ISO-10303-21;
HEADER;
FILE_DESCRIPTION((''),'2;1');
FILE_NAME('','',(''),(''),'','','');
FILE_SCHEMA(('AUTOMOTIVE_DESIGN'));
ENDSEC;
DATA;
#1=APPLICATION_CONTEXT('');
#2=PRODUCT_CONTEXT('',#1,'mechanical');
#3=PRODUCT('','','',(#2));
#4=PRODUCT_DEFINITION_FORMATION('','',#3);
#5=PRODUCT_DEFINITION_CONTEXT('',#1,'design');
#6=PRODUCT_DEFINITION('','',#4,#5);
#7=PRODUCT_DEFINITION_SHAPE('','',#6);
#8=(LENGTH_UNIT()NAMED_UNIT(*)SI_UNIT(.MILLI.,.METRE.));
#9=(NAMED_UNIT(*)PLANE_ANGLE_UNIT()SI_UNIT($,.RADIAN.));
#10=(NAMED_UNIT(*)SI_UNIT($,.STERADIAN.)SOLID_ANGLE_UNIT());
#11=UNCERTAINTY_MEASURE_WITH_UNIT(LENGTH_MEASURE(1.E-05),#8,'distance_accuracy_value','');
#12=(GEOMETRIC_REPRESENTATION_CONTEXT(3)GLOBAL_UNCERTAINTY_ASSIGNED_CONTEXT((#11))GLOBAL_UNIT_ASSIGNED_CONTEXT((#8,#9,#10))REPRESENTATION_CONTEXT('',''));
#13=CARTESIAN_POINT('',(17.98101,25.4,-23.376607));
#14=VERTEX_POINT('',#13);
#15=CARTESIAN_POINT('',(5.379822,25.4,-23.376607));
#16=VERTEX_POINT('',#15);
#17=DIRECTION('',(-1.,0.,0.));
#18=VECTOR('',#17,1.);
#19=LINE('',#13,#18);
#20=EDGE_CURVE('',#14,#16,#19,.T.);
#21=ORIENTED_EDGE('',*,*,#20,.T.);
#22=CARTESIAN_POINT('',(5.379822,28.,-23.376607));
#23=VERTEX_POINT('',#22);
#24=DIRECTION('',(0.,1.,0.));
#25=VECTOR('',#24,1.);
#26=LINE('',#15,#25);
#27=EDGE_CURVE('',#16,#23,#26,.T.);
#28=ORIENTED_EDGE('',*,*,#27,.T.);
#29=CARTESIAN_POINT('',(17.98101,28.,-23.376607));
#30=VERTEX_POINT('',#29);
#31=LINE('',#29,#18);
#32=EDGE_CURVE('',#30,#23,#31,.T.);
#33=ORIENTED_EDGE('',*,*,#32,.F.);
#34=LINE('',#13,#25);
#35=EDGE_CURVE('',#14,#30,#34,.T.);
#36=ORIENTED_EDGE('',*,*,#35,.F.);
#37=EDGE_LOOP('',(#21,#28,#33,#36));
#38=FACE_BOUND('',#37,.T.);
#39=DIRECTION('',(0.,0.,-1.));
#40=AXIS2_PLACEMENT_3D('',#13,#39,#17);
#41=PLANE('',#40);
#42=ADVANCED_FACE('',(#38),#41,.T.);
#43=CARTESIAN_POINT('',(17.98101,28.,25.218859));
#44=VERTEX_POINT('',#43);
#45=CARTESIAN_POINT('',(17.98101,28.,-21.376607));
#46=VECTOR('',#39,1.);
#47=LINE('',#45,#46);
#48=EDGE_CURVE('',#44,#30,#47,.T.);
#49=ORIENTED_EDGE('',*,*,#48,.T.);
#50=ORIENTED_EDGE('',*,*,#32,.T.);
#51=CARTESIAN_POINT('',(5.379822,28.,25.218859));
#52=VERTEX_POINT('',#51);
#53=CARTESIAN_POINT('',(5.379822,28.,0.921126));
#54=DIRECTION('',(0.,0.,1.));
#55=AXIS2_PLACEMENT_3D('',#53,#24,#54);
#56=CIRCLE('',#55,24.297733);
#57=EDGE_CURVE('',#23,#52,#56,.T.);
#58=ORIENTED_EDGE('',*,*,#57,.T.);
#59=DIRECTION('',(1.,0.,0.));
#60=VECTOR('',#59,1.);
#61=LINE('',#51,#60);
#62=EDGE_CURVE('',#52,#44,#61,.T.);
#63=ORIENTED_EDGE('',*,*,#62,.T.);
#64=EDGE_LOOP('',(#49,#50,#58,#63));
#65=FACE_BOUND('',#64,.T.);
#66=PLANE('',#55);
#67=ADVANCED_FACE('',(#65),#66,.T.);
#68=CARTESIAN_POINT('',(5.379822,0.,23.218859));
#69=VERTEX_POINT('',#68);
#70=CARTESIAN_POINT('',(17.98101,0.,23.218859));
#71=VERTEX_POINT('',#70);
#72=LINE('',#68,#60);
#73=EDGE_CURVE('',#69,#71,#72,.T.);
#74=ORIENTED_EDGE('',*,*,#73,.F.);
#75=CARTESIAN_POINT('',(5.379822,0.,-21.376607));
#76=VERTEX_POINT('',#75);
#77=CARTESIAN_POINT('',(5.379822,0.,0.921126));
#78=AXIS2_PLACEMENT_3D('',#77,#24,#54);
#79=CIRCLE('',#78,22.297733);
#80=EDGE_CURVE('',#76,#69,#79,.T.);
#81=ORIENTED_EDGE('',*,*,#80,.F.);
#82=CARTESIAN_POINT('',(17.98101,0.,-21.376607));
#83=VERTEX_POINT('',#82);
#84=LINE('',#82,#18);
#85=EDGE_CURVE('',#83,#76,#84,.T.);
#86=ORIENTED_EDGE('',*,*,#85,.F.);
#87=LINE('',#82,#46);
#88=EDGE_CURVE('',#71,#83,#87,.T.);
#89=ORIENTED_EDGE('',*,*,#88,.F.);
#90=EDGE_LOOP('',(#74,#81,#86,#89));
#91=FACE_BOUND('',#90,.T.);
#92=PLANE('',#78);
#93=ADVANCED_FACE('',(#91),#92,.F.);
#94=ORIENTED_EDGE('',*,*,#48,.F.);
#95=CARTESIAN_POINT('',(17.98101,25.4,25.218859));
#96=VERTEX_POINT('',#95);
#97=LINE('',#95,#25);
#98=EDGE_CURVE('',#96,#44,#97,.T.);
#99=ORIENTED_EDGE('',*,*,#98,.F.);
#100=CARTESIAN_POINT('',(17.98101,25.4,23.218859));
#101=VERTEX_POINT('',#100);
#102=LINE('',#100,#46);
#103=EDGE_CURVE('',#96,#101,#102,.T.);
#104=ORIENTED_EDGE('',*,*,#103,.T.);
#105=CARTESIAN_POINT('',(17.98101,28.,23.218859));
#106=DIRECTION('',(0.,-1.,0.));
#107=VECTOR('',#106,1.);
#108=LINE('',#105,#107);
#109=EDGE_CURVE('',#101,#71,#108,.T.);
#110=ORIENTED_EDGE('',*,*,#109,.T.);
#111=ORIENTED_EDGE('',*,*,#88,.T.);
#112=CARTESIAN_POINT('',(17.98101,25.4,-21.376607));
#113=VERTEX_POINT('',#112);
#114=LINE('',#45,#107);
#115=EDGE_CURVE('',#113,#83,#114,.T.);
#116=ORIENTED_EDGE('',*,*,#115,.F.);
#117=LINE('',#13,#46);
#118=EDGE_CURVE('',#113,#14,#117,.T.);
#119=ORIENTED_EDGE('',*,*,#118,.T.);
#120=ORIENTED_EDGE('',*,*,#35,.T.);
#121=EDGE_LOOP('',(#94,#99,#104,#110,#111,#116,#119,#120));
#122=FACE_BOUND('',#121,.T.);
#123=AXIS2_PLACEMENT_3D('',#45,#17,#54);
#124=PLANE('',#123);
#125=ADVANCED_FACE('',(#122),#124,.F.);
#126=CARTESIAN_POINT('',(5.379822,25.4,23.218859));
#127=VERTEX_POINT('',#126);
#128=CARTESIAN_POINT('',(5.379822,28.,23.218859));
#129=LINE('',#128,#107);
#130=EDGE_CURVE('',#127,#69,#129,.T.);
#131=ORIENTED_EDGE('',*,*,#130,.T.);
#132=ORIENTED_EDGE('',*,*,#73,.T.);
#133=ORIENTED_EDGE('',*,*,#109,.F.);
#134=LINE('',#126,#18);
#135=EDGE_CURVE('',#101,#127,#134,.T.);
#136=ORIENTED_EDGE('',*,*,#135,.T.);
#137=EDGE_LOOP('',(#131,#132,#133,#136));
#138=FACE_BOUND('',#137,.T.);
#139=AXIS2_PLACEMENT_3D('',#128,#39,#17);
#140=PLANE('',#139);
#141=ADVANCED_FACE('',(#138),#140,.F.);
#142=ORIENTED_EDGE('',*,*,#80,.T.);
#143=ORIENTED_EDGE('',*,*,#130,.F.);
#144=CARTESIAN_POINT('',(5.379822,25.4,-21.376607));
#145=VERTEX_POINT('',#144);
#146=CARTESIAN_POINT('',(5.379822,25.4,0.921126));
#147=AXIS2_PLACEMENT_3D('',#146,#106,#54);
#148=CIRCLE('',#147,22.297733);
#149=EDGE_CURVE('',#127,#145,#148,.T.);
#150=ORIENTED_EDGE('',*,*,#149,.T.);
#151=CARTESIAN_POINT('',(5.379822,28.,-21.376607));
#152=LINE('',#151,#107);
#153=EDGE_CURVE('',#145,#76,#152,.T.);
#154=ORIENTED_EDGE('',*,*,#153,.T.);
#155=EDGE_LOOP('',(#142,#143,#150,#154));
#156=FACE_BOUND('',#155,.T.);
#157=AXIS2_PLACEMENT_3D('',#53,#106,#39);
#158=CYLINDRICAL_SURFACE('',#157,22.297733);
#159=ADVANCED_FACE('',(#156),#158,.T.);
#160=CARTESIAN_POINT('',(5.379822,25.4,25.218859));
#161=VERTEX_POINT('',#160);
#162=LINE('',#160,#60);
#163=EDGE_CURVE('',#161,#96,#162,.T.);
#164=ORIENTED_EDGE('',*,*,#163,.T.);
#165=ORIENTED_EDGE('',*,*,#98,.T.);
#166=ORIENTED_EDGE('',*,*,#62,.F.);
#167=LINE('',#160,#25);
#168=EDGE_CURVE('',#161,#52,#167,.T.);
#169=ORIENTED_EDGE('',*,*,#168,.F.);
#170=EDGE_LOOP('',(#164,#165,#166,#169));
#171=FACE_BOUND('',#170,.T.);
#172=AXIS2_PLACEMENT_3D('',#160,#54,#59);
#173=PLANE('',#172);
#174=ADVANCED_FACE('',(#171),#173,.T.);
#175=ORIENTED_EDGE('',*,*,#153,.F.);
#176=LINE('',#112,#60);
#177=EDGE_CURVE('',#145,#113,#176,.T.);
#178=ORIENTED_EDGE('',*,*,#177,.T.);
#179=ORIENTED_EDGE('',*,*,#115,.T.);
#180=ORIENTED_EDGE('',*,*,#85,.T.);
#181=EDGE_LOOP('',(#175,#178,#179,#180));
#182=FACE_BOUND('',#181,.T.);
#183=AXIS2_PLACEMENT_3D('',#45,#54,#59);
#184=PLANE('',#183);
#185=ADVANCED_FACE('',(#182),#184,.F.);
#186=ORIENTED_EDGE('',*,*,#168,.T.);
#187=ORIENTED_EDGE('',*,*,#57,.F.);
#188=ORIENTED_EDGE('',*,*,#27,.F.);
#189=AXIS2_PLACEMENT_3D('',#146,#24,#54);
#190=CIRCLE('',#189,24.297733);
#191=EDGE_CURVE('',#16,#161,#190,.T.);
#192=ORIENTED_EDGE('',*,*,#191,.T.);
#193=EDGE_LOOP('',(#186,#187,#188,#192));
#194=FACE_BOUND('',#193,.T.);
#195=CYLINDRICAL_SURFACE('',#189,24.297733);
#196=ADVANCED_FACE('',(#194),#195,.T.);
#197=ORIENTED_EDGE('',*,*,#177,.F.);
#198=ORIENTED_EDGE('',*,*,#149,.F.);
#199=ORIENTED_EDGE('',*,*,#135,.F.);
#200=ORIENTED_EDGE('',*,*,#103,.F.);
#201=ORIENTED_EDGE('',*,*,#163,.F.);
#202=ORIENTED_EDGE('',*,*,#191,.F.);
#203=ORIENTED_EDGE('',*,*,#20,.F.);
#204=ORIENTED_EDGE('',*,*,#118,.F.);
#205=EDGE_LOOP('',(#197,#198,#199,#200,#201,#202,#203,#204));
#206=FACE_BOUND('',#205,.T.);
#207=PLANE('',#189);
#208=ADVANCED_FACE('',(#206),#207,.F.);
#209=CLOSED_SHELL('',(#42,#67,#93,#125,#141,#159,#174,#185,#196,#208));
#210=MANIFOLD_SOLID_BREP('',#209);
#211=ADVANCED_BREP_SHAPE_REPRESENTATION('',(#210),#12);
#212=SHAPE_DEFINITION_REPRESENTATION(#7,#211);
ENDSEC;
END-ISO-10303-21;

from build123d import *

# Parameters (mm, degrees)
BOSS_EXTRUDE1_DEPTH = 28
BOSS_EXTRUDE2_START = -2.6
BOSS_EXTRUDE2_DEPTH = 2.6


with BuildPart() as part:
    # Sketch1 → Boss-Extrude1 (new body)
    with BuildSketch(Plane(origin=(0, 0, 0), x_dir=(1, 0, 0), z_dir=(0, 1, 0))):
        with BuildLine():
            Line((5.379822255, -23.218858624), (17.981010255, -23.218858624))
            Line((17.981010255, -23.218858624), (17.981010255, 21.376607386))
            Line((17.981010255, 21.376607386), (5.379822255, 21.376607386))
            ThreePointArc((5.379822255, 21.376607386), (-16.91791075, -0.921125619), (5.379822255, -23.218858624))
        make_face()
    extrude(amount=BOSS_EXTRUDE1_DEPTH)

    # Sketch2 → Boss-Extrude2 (add)
    with BuildSketch(Plane(origin=(0, 28, 0), x_dir=(1, 0, 0), z_dir=(0, 1, 0)).offset(BOSS_EXTRUDE2_START)):
        with BuildLine():
            Line((5.379822255, -25.218858624), (17.981010255, -25.218858624))
            Line((17.981010255, -25.218858624), (17.981010255, -23.218858624))
            Line((17.981010255, -23.218858624), (5.379822255, -23.218858624))
            ThreePointArc((5.379822255, -23.218858624), (-16.91791075, -0.921125619), (5.379822255, 21.376607386))
            Line((5.379822255, 21.376607386), (17.981010255, 21.376607386))
            Line((17.981010255, 21.376607386), (17.981010255, 23.376607386))
            Line((17.981010255, 23.376607386), (5.379822255, 23.376607386))
            ThreePointArc((5.379822255, 23.376607386), (-18.91791075, -0.921125619), (5.379822255, -25.218858624))
        make_face()
    extrude(amount=BOSS_EXTRUDE2_DEPTH)


solid = part.part
